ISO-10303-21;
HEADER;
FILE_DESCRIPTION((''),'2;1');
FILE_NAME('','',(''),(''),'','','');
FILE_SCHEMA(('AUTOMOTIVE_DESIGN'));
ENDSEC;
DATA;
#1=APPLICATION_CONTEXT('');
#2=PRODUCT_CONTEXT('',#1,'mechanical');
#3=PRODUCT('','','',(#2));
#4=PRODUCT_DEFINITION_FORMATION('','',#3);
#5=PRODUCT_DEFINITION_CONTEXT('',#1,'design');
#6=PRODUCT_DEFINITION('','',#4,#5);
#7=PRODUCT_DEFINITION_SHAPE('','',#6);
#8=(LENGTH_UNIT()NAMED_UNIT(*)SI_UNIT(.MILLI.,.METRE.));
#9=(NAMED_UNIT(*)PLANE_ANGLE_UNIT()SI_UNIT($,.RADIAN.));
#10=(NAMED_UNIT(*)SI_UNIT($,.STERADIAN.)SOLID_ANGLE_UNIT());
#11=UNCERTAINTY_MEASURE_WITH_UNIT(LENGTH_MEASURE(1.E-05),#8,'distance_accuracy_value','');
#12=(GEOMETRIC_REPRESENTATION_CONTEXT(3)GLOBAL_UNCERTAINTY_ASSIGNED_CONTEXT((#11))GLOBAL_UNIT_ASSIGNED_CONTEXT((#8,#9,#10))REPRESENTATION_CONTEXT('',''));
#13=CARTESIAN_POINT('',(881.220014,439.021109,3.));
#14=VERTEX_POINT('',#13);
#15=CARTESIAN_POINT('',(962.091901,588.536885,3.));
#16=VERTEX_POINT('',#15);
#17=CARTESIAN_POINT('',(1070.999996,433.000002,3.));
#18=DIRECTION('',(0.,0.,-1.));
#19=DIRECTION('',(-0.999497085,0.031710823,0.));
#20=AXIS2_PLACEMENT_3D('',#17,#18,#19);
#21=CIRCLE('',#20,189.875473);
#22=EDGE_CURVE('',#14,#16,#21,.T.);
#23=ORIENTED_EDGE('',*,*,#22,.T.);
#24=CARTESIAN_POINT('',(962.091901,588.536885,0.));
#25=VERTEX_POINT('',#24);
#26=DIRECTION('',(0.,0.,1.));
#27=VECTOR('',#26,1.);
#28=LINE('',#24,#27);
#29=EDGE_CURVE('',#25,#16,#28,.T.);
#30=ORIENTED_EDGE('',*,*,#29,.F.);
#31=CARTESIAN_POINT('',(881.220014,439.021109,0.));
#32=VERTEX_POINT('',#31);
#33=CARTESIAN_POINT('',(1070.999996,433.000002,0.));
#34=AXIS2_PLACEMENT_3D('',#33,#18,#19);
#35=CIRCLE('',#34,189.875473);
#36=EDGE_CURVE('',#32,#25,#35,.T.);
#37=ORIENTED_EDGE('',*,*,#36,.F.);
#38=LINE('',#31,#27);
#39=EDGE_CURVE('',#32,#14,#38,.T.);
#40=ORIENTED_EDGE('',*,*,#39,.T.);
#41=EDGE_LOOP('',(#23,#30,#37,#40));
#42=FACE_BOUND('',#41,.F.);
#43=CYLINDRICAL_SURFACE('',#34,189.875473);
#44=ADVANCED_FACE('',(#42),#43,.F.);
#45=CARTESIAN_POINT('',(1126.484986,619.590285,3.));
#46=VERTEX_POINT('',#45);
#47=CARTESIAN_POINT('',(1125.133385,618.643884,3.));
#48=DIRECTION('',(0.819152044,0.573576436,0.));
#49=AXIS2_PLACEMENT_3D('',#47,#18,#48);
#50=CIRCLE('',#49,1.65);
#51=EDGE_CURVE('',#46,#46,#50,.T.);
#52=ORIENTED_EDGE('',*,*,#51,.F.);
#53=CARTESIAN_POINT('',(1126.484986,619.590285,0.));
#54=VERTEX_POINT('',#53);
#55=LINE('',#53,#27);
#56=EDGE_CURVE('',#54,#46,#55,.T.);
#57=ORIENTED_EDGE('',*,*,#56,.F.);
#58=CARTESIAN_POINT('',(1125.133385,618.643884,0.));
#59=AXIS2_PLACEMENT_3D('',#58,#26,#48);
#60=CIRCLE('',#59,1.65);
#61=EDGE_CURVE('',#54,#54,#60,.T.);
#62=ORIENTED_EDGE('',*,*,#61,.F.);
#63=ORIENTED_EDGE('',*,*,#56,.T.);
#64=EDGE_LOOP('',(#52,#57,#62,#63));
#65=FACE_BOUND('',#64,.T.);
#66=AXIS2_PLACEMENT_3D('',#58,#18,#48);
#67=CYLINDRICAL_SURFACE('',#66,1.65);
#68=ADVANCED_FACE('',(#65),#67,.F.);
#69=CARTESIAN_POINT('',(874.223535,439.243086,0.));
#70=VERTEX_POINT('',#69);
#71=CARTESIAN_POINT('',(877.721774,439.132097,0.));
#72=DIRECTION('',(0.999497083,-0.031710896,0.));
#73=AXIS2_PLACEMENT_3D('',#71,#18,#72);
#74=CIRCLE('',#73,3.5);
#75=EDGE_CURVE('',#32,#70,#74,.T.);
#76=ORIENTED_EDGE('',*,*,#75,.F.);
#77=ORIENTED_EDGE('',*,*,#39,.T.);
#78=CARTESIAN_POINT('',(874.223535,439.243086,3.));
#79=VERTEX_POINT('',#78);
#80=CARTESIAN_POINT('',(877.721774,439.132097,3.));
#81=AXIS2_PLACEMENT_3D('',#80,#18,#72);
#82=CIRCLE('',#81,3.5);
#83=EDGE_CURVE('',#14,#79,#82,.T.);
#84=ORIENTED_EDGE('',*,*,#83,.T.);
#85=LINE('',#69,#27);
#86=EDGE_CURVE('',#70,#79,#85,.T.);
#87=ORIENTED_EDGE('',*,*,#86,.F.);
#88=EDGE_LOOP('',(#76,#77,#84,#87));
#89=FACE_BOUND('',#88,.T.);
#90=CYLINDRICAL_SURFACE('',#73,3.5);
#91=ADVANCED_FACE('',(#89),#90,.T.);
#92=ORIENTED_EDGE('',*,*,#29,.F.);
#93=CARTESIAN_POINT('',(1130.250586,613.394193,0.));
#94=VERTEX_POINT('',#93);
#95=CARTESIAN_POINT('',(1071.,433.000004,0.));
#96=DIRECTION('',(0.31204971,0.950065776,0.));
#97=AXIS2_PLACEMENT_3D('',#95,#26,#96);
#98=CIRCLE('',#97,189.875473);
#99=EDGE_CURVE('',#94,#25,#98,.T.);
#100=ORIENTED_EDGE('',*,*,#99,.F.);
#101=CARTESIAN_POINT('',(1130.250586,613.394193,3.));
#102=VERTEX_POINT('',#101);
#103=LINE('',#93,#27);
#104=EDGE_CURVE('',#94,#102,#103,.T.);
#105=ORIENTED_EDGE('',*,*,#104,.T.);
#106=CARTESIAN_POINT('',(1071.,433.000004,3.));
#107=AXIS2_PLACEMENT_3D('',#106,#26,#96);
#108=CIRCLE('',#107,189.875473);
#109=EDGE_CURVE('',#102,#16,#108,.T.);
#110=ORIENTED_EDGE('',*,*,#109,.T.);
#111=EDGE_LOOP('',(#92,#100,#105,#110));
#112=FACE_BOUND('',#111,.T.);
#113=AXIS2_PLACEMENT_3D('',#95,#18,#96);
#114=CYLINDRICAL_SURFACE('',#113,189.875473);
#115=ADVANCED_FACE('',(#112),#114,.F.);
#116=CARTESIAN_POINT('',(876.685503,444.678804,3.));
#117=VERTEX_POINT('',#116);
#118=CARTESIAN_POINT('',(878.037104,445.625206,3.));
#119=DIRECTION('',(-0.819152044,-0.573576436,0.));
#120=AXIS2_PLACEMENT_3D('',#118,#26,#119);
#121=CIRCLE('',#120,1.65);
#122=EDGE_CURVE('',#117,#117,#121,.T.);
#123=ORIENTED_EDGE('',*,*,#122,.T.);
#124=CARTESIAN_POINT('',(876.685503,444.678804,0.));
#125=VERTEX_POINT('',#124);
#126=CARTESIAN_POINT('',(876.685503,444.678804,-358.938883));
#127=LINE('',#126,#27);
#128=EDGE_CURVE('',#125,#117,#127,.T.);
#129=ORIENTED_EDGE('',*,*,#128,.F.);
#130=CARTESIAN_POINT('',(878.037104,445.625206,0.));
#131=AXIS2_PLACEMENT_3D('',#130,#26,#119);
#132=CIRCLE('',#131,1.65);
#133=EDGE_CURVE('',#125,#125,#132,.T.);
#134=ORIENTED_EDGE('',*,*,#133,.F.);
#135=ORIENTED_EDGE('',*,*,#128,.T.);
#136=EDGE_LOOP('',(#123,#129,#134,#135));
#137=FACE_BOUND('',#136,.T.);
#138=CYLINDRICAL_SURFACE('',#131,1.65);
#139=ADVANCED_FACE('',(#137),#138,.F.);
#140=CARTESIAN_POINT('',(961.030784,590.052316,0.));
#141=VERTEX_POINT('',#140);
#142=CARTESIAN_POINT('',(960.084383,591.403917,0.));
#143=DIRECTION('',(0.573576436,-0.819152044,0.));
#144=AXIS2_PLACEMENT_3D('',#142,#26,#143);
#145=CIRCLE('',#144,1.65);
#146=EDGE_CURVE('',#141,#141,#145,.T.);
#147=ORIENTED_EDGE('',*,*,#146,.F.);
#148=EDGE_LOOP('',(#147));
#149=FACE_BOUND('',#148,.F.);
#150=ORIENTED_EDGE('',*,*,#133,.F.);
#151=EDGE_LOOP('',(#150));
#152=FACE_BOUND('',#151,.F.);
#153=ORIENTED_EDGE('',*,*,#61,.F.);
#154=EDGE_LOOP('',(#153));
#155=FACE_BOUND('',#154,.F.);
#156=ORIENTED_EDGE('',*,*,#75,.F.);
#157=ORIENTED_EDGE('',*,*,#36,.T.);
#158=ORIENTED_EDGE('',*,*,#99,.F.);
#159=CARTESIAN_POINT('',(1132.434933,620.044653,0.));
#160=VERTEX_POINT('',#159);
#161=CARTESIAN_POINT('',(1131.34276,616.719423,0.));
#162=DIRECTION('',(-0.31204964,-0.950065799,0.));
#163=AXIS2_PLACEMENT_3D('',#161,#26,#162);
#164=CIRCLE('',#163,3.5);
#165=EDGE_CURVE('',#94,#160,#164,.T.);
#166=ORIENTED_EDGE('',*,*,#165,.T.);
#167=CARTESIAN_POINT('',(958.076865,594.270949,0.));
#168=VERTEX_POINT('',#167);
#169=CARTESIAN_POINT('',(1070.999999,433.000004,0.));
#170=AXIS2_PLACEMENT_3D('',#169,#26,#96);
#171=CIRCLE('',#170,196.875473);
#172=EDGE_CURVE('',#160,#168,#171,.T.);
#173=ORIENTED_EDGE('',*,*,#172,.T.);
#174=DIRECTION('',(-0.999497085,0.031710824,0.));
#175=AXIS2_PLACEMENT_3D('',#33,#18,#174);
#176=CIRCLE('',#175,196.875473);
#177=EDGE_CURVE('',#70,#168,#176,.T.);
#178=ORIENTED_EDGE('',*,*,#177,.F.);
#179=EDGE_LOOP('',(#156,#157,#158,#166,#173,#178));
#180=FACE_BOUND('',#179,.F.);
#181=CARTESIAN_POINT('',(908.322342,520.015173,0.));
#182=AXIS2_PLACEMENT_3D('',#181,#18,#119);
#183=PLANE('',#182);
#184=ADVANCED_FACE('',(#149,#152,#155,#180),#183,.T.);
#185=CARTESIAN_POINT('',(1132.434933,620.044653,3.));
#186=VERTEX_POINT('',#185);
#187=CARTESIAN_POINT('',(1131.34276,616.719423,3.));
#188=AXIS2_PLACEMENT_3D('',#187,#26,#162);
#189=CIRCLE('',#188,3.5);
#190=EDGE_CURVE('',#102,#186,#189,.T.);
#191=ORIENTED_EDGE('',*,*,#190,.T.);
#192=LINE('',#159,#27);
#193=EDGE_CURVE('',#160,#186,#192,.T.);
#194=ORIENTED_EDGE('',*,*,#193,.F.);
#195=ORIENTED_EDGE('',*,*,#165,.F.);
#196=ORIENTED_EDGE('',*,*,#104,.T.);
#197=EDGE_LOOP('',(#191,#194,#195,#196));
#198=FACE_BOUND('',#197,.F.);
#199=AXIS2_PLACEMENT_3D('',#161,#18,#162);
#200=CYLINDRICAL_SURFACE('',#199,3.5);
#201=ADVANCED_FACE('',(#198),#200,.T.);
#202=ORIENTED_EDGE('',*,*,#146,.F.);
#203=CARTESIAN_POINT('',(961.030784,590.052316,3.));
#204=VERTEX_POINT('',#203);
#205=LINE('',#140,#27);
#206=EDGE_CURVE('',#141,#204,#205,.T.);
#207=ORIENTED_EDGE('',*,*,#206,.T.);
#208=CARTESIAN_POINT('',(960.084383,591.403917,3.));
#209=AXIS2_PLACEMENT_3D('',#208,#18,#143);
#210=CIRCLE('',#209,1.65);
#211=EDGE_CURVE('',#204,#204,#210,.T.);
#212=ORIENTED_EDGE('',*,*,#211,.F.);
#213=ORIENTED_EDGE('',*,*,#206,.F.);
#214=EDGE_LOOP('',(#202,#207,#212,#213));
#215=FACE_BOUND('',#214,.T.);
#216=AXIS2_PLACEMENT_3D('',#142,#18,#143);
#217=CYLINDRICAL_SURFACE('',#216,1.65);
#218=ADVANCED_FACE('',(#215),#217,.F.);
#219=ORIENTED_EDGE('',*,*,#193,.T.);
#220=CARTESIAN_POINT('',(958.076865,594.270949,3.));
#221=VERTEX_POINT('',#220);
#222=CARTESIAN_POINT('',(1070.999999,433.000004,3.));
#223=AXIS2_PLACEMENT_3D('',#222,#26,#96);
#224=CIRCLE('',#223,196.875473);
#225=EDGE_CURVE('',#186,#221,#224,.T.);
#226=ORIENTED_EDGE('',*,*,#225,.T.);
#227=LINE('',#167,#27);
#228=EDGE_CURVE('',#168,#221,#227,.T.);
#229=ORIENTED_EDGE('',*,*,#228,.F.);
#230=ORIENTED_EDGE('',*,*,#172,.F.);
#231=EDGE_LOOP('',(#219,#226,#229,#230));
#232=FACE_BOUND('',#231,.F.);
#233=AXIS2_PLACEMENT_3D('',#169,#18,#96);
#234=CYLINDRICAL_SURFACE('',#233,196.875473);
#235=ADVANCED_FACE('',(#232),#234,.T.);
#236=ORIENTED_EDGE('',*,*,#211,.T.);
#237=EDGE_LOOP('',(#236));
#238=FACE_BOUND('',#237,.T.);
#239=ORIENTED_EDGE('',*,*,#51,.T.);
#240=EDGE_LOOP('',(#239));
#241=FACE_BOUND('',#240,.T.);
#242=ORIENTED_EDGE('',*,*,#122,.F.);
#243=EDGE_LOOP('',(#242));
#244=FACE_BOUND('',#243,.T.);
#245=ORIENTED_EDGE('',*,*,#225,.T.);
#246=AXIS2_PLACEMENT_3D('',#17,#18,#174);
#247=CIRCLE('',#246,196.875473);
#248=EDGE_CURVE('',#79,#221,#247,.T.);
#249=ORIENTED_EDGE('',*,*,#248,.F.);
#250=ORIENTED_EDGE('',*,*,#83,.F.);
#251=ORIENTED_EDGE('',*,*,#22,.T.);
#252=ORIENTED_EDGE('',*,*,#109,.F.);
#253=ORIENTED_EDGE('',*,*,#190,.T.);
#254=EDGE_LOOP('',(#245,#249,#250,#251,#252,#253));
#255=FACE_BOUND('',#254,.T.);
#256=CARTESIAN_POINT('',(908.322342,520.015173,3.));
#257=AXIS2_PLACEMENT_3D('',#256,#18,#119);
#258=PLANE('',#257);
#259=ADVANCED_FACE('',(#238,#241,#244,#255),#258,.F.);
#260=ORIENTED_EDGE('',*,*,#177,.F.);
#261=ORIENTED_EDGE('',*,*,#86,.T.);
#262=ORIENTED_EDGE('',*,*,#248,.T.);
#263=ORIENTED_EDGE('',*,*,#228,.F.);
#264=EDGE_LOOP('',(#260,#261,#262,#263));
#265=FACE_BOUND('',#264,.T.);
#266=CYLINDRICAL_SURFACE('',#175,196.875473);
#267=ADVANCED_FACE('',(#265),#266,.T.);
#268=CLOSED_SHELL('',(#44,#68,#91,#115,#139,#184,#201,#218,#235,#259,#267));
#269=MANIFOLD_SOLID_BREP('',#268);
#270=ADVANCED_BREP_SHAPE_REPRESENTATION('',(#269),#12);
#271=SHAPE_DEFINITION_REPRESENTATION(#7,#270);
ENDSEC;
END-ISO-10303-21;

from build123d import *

# Parameters (mm, degrees)
PAD015_DEPTH                        = 3
SKETCH054_R                         = 1.65
POCKET018_DEPTH                     = 358.938883
POCKET018_DEPTH_BACK                = 361.938883
BODY001003005003004_PLACEMENT_ANGLE = 60
CLONE007_PLACEMENT_ANGLE            = 25


with BuildPart() as part:
    # Sketch053 → Pad015 (new body)
    with BuildSketch(Plane.XY):
        with BuildLine():
            ThreePointArc((152.005097, 113.785532), (84.992984, 169.790723), (0, 189.875477))
            Line((0, 189.875477), (0, 196.875477))
            ThreePointArc((157.608957, 117.98038), (88.126358, 176.050273), (0, 196.875477))
            ThreePointArc((152.005097, 113.785532), (156.904451, 113.081026), (157.608957, 117.98038))
        make_face()
    pad015 = extrude(amount=PAD015_DEPTH)

    # Sketch054 → Pocket018 (cut, two sides)
    with BuildSketch(Plane.XY) as pocket018_sk:
        with Locations((150.82443, 121.020933)):
            Circle(SKETCH054_R)
        with BuildLine():
            ThreePointArc((0, 191.725477), (1.65, 193.375477), (0, 195.025477))
            Line((0, 191.725477), (0, 195.025477))
        make_face()
    pocket018 = extrude(amount=-POCKET018_DEPTH, mode=Mode.SUBTRACT) + extrude(pocket018_sk.sketch, amount=POCKET018_DEPTH_BACK, mode=Mode.SUBTRACT)

    # Mirrored020: Pad015, Pocket018 across Sketch053 V_Axis
    add(pad015.mirror(Plane(origin=(0, 0, 0), x_dir=(0, 0, 1), z_dir=(1, 0, 0))))
    add(pocket018.mirror(Plane(origin=(0, 0, 0), x_dir=(0, 0, 1), z_dir=(1, 0, 0))), mode=Mode.SUBTRACT)


with BuildPart() as part_1:
    # Body001003005003004 placement: moved
    add(part.part.rotate(Axis((0, 0, 0), (0, 0, 1)), BODY001003005003004_PLACEMENT_ANGLE))


with BuildPart() as part_2:
    # Clone007 placement: moved
    add(part_1.part.moved(Location((1071, 433, 0))).rotate(Axis((1071, 433, 0), (0, 0, -1)), CLONE007_PLACEMENT_ANGLE))


solid = part_2.part
